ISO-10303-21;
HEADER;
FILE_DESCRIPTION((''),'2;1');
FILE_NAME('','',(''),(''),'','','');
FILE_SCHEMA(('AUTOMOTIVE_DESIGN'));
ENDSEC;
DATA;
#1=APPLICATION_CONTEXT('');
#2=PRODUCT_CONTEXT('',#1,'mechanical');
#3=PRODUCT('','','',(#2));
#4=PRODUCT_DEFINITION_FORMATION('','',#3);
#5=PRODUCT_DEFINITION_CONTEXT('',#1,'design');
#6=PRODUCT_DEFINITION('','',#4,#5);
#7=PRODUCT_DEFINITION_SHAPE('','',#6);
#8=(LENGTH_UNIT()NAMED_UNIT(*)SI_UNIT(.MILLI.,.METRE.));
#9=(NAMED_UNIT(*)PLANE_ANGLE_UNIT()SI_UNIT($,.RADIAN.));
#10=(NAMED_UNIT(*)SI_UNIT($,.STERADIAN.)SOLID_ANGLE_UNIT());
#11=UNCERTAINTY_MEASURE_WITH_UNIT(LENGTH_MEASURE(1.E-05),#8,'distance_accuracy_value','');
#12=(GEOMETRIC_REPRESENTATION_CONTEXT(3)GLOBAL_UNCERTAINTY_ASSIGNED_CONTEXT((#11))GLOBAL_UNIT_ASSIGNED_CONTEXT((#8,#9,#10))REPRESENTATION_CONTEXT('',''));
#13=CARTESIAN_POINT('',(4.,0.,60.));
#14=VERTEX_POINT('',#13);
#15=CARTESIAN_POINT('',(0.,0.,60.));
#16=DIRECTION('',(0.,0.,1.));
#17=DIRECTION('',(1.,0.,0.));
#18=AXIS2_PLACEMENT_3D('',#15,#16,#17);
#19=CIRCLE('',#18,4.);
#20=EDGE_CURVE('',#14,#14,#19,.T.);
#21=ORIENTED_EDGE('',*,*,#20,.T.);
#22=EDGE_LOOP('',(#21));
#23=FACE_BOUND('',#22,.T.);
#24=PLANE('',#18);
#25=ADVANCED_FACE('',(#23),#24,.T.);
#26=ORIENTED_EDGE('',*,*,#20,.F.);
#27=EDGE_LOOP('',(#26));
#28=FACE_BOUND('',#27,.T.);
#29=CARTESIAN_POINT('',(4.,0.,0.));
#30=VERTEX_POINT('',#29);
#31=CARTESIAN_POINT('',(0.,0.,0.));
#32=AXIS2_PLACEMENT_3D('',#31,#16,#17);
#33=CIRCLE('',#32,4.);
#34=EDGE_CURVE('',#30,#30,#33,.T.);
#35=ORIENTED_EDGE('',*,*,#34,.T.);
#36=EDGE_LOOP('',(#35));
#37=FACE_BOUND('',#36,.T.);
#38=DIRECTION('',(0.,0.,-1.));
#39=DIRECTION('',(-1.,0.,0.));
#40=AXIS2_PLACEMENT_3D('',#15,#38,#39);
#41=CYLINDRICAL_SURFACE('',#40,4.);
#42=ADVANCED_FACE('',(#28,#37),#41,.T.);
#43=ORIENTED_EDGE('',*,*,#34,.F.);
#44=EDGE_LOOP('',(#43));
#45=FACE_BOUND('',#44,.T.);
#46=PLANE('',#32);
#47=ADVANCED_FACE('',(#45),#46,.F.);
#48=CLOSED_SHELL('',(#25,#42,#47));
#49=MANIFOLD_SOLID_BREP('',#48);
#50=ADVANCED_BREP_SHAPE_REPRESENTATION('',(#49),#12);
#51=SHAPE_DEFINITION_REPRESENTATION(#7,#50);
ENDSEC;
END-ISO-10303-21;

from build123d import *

# Parameters (mm, degrees)
SKETCH_1_R      = 4
EXTRUDE_1_DEPTH = 60


with BuildPart() as part:
    # 草图1 → 凸台-拉伸1 (new body)
    with BuildSketch(Plane.XY):
        Circle(SKETCH_1_R)
    extrude(amount=EXTRUDE_1_DEPTH)


solid = part.part
